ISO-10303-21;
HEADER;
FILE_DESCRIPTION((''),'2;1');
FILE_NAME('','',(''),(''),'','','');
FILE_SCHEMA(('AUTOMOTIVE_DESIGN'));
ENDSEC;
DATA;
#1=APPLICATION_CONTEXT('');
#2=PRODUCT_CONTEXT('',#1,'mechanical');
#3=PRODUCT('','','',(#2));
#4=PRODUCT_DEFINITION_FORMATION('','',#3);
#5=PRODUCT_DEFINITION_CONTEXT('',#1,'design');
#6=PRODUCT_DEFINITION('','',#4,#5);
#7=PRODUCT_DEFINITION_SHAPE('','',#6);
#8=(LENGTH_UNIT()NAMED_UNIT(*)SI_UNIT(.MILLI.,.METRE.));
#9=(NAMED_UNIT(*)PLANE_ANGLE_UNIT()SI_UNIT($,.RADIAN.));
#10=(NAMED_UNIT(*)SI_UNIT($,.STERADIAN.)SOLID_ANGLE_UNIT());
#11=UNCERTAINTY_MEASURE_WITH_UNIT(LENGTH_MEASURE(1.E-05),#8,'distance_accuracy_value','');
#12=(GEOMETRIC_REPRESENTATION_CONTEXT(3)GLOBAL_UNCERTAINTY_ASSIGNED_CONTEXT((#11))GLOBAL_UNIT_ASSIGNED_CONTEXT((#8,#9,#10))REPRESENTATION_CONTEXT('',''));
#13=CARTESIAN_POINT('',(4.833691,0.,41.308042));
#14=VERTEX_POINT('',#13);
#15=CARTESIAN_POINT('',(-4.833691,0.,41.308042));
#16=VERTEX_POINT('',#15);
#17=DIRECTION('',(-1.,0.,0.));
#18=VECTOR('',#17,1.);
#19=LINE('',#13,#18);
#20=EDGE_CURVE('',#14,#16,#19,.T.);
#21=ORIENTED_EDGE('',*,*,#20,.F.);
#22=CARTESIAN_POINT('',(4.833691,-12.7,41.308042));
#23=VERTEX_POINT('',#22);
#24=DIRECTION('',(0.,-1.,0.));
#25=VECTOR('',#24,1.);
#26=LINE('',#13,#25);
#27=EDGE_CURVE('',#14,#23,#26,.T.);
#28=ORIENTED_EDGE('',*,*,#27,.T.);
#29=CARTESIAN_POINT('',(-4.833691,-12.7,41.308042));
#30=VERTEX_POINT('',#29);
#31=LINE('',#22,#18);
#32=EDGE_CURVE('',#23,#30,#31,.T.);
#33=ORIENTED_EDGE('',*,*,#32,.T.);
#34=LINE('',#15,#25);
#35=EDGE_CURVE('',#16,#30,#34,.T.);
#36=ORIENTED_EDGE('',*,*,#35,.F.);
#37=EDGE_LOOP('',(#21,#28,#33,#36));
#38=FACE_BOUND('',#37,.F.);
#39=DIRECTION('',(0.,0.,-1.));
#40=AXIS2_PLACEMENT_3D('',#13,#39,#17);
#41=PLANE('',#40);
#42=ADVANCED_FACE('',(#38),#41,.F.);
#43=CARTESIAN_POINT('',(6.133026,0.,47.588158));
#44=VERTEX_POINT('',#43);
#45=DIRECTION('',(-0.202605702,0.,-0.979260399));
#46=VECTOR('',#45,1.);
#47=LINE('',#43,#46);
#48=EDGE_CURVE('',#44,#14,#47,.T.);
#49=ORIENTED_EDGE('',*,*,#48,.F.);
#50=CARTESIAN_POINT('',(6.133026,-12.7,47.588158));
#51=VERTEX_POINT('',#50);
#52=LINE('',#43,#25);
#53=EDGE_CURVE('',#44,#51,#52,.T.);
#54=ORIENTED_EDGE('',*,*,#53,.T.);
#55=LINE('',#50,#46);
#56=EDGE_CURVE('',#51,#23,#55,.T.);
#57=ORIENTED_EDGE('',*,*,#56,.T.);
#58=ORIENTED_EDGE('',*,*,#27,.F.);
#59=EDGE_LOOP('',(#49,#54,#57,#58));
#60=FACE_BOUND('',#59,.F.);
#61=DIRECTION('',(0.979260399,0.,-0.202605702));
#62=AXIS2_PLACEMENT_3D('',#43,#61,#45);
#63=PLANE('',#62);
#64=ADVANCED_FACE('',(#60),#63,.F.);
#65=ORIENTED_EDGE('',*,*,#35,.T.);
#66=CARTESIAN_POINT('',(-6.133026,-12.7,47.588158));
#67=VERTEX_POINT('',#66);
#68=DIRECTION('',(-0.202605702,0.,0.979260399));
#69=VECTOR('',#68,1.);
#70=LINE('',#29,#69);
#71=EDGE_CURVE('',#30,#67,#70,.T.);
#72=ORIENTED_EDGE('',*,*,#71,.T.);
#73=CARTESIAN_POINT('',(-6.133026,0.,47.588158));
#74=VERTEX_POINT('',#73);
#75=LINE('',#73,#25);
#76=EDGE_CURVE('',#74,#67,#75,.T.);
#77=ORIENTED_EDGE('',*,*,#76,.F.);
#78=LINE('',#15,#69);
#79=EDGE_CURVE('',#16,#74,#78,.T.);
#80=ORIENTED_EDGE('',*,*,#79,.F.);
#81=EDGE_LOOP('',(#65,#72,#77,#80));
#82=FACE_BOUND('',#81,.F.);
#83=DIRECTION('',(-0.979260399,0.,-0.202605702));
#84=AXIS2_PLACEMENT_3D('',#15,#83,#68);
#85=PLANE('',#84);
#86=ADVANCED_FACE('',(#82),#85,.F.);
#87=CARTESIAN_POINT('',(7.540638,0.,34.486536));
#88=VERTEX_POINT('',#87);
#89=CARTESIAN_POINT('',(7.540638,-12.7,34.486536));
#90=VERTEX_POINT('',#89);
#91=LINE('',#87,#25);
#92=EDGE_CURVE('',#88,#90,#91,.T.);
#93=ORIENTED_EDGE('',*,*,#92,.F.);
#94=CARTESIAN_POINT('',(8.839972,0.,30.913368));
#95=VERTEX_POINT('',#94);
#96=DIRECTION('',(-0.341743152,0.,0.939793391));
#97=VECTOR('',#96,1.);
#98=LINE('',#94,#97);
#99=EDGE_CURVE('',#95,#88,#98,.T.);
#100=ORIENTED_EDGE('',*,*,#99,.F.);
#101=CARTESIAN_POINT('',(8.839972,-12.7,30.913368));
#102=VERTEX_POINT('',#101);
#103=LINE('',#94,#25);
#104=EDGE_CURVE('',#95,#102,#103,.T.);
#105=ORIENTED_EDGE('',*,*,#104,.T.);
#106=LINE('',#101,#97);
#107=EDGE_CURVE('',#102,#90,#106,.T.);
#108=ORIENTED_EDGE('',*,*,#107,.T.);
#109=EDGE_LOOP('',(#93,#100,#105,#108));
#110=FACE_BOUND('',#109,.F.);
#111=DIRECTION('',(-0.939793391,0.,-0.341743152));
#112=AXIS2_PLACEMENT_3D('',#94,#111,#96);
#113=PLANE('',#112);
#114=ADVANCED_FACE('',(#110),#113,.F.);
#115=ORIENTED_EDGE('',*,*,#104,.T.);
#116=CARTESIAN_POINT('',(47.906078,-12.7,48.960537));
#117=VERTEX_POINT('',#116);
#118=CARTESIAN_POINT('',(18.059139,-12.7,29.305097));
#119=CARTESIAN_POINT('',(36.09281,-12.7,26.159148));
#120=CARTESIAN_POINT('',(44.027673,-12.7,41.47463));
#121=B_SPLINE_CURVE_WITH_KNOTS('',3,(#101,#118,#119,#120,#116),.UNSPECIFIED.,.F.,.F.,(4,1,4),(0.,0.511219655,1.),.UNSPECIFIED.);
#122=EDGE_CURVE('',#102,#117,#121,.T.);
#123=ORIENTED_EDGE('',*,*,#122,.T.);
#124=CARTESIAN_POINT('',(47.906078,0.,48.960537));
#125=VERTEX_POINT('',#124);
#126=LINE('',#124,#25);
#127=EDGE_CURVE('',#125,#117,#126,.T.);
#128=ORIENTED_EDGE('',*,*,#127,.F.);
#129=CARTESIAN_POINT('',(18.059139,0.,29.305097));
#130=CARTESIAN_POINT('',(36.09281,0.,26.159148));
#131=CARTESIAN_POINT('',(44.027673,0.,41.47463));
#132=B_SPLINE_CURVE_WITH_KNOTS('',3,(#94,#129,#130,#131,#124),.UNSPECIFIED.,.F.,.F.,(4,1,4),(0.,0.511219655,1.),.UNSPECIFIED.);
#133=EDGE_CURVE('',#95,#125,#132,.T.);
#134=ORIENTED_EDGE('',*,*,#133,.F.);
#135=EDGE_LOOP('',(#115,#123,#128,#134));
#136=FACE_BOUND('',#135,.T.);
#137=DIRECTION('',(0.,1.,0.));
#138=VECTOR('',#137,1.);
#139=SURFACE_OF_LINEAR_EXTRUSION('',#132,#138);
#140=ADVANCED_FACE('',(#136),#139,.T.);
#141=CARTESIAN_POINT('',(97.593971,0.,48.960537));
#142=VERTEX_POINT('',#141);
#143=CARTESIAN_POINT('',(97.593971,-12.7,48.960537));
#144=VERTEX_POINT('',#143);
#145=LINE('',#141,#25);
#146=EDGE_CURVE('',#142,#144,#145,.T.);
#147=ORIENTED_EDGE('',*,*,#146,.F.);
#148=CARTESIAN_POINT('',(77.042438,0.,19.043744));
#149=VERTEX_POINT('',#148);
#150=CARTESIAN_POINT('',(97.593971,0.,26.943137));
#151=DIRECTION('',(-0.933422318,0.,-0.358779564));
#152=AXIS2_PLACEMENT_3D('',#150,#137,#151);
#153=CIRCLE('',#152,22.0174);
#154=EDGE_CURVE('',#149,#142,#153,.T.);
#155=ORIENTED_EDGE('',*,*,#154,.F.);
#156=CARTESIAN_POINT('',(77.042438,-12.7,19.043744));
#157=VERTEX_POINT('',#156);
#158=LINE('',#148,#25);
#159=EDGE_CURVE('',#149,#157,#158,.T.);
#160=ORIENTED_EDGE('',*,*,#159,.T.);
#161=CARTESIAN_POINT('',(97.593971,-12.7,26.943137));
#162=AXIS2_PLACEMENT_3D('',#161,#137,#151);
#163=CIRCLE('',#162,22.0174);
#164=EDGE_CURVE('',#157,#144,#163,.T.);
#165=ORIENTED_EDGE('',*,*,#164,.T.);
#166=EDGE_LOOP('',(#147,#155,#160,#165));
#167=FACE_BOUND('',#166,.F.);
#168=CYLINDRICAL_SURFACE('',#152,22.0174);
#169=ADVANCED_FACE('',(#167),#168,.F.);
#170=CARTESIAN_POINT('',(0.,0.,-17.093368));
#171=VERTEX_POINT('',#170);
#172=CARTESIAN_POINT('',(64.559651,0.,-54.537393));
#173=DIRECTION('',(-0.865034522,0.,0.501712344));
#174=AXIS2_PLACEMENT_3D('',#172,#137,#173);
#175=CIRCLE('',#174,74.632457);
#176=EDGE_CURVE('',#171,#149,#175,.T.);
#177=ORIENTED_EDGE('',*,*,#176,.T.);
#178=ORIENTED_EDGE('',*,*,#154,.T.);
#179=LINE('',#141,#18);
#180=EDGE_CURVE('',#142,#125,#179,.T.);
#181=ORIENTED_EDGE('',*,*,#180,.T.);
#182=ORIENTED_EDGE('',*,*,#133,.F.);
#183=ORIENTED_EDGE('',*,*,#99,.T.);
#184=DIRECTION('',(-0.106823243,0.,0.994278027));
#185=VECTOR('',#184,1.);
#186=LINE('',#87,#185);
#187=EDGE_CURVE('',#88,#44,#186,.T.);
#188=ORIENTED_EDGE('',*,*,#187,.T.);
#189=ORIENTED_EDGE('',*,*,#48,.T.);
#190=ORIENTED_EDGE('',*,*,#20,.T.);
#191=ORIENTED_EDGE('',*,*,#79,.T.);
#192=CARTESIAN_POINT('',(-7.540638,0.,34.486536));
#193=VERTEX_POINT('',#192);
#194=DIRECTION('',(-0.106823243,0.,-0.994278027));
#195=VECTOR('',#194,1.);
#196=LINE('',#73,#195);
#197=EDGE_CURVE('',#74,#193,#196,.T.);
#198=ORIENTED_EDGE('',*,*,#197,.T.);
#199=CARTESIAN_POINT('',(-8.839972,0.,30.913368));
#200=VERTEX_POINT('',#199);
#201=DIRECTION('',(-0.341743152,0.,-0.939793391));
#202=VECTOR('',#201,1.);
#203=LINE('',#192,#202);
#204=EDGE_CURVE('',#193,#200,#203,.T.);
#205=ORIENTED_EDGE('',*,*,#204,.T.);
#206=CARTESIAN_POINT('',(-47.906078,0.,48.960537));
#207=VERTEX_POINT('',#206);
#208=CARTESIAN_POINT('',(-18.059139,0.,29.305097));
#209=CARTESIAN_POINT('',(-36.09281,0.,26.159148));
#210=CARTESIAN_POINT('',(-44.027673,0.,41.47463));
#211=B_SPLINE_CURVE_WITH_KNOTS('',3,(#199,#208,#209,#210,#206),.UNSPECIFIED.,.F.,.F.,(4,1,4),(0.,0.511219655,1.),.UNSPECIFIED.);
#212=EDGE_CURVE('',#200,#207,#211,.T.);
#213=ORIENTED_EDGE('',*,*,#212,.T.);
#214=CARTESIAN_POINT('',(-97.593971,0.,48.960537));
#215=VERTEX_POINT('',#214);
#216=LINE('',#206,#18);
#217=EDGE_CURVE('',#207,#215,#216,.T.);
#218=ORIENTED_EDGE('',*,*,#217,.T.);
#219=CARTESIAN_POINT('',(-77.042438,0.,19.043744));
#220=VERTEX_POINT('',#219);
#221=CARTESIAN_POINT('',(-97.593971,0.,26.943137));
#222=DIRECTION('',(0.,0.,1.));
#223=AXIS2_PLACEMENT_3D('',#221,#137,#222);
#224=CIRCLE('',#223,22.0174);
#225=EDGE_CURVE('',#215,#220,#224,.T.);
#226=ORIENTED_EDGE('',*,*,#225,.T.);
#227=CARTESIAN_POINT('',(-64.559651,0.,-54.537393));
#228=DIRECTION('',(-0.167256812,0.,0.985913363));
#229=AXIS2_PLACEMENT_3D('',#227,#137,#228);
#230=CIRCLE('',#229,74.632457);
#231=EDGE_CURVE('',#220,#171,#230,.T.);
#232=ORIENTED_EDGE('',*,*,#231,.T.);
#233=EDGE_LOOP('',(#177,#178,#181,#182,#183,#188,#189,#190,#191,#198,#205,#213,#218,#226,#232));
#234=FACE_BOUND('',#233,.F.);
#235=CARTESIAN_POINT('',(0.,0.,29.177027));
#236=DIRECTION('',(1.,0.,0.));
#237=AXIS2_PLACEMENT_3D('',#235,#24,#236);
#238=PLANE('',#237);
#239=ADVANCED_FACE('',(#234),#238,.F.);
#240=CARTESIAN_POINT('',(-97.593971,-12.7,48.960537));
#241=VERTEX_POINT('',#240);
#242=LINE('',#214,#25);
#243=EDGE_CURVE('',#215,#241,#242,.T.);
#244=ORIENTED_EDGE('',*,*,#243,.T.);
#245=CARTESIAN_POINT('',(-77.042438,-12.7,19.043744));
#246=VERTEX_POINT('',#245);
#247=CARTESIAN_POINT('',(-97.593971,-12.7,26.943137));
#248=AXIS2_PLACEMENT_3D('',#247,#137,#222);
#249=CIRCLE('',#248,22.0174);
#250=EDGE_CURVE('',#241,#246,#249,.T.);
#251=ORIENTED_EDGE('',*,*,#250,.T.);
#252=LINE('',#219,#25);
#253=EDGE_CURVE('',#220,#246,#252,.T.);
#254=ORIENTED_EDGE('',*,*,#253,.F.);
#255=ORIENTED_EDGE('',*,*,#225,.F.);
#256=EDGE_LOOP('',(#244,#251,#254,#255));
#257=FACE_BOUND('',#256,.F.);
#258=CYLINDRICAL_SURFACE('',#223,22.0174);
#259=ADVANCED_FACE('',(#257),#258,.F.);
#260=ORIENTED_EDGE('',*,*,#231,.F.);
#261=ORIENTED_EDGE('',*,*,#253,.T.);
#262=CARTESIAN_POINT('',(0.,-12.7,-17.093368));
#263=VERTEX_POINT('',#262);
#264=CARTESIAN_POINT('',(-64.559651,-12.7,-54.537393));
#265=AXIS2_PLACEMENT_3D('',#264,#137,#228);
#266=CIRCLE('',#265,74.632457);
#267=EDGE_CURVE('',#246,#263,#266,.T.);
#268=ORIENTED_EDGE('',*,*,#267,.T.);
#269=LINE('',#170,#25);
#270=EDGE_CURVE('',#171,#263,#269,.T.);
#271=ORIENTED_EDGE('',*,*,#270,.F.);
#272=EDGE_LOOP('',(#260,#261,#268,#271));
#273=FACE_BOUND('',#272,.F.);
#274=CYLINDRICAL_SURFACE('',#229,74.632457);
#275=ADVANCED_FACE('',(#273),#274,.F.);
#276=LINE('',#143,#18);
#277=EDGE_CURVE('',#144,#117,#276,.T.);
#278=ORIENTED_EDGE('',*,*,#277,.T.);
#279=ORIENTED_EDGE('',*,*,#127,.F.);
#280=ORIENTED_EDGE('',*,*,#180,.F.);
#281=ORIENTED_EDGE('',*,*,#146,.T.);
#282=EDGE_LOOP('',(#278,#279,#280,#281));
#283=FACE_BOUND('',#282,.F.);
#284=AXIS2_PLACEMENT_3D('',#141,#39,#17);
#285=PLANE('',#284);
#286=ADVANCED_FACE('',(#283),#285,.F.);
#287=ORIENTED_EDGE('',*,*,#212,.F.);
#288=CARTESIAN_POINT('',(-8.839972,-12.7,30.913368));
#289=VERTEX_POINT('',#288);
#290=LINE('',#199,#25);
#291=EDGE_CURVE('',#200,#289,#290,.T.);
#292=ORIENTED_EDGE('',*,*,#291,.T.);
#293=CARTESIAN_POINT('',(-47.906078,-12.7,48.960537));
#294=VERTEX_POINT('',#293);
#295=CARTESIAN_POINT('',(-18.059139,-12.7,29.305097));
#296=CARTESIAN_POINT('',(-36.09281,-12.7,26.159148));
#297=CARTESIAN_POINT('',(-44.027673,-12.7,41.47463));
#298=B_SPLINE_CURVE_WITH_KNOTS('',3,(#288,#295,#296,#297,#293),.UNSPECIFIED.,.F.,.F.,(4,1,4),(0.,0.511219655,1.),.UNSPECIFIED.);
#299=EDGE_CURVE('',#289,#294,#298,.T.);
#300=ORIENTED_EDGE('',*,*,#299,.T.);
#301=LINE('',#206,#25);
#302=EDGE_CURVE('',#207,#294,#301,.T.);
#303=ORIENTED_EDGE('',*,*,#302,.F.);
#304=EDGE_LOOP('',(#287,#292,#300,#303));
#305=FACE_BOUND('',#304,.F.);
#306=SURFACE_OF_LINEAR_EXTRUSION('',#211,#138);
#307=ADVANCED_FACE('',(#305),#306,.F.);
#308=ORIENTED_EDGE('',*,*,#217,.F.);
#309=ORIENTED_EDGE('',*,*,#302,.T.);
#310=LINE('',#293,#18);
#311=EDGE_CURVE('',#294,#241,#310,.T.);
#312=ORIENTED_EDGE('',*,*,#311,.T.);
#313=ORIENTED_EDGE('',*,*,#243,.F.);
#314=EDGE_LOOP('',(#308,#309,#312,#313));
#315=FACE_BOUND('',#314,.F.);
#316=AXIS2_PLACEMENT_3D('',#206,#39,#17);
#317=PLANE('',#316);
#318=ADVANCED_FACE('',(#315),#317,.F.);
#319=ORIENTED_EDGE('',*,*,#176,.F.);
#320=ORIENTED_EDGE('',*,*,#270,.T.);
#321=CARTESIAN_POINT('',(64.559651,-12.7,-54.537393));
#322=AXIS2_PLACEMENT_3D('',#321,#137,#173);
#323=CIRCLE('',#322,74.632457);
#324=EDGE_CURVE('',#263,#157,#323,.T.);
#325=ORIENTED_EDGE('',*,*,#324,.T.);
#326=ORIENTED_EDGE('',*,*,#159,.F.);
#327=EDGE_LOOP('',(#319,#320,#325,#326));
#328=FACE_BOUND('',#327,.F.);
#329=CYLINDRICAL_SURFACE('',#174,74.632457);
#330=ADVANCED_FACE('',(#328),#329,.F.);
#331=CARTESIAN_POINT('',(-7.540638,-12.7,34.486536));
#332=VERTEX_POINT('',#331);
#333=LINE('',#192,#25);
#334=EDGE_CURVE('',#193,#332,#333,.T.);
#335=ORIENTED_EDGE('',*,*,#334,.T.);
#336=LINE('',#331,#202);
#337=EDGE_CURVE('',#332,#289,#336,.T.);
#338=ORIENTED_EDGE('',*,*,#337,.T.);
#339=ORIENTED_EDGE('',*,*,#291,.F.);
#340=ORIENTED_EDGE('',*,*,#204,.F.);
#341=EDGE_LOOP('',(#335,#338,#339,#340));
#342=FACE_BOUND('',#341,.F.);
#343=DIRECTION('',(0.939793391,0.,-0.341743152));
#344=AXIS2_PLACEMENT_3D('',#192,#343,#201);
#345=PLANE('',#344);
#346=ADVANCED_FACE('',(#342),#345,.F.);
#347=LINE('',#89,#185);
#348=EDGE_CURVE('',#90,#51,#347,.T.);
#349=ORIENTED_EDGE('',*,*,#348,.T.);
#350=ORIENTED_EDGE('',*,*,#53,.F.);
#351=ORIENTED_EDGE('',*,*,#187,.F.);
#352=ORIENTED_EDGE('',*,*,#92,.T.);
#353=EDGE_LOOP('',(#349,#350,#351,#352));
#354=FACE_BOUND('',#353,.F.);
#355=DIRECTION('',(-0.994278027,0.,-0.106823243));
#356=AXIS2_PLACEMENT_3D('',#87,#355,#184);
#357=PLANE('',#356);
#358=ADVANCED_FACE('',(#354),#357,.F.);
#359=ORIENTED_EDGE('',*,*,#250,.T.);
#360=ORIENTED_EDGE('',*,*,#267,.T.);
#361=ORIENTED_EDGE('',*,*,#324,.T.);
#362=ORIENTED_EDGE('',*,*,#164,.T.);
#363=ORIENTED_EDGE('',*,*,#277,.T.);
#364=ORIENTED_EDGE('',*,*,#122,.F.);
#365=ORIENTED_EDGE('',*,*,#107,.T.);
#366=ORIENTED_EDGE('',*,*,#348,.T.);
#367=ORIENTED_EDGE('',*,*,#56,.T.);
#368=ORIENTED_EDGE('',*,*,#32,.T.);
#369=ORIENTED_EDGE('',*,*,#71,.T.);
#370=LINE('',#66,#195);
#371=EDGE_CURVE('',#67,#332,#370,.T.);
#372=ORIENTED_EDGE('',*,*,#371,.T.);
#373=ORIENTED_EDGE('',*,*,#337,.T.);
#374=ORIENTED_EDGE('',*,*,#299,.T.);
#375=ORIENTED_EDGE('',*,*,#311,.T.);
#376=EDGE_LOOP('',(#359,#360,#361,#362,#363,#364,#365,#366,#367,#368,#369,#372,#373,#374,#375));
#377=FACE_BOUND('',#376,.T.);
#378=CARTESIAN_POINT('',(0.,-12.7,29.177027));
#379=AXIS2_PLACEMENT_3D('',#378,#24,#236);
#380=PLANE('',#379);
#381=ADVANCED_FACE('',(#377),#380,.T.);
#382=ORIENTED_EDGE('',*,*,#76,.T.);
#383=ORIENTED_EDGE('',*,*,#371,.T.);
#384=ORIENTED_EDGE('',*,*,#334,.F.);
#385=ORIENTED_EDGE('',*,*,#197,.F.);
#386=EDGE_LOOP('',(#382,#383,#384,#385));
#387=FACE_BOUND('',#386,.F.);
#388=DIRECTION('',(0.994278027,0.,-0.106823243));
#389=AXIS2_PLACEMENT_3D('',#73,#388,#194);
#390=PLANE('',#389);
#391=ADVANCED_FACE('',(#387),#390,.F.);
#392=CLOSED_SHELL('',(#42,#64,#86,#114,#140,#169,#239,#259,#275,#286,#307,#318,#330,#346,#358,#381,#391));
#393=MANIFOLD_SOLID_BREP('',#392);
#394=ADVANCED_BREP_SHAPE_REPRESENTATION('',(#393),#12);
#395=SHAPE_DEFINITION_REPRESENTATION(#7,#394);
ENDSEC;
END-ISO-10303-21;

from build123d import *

# Parameters (mm, degrees)
F1_DEPTH = 12.7


with BuildPart() as f1:
    # F0 (on Front) → F1 (new body)
    with BuildSketch(Plane.XZ):
        with BuildLine():
            Line((4.8336908221, 41.308041662), (0, 41.308041662))
            Line((0, 41.308041662), (-4.8336908221, 41.308041662))
            Line((-4.8336908221, 41.308041662), (-6.1330259778, 47.5881583989))
            Line((-6.1330259778, 47.5881583989), (-7.5406380929, 34.4865359366))
            Line((-7.5406380929, 34.4865359366), (-8.8399723172, 30.9133678675))
            add(Edge.make_bspline(
                [(-8.8399723172, 30.9133678675), (-18.0591392969, 29.3050970462), (-36.0928101375, 26.1591483202), (-44.0276732608, 41.4746301976), (-47.9060783982, 48.9605367184)],
                knots=[0, 0, 0, 0, 0.5112196547, 1, 1, 1, 1], degree=3))
            Line((-47.9060783982, 48.9605367184), (-97.5939705968, 48.9605367184))
            ThreePointArc((-97.5939705968, 48.9605367184), (-79.4461057207, 39.4099286983), (-77.0424380898, 19.0437436104))
            ThreePointArc((-77.0424380898, 19.0437436104), (-32.866234626, 13.0313198908), (0, -17.0933678746))
            ThreePointArc((0, -17.0933678746), (32.866234626, 13.0313198908), (77.0424380898, 19.0437436104))
            ThreePointArc((77.0424380898, 19.0437436104), (79.4461057207, 39.4099286983), (97.5939705968, 48.9605367184))
            Line((97.5939705968, 48.9605367184), (47.9060783982, 48.9605367184))
            add(Edge.make_bspline(
                [(8.8399723172, 30.9133678675), (18.0591392969, 29.3050970462), (36.0928101375, 26.1591483202), (44.0276732608, 41.4746301976), (47.9060783982, 48.9605367184)],
                knots=[0, 0, 0, 0, 0.5112196547, 1, 1, 1, 1], degree=3))
            Line((8.8399723172, 30.9133678675), (7.5406380929, 34.4865359366))
            Line((7.5406380929, 34.4865359366), (6.1330259778, 47.5881583989))
            Line((6.1330259778, 47.5881583989), (4.8336908221, 41.308041662))
        make_face()
    extrude(amount=F1_DEPTH)


solid = f1.part
